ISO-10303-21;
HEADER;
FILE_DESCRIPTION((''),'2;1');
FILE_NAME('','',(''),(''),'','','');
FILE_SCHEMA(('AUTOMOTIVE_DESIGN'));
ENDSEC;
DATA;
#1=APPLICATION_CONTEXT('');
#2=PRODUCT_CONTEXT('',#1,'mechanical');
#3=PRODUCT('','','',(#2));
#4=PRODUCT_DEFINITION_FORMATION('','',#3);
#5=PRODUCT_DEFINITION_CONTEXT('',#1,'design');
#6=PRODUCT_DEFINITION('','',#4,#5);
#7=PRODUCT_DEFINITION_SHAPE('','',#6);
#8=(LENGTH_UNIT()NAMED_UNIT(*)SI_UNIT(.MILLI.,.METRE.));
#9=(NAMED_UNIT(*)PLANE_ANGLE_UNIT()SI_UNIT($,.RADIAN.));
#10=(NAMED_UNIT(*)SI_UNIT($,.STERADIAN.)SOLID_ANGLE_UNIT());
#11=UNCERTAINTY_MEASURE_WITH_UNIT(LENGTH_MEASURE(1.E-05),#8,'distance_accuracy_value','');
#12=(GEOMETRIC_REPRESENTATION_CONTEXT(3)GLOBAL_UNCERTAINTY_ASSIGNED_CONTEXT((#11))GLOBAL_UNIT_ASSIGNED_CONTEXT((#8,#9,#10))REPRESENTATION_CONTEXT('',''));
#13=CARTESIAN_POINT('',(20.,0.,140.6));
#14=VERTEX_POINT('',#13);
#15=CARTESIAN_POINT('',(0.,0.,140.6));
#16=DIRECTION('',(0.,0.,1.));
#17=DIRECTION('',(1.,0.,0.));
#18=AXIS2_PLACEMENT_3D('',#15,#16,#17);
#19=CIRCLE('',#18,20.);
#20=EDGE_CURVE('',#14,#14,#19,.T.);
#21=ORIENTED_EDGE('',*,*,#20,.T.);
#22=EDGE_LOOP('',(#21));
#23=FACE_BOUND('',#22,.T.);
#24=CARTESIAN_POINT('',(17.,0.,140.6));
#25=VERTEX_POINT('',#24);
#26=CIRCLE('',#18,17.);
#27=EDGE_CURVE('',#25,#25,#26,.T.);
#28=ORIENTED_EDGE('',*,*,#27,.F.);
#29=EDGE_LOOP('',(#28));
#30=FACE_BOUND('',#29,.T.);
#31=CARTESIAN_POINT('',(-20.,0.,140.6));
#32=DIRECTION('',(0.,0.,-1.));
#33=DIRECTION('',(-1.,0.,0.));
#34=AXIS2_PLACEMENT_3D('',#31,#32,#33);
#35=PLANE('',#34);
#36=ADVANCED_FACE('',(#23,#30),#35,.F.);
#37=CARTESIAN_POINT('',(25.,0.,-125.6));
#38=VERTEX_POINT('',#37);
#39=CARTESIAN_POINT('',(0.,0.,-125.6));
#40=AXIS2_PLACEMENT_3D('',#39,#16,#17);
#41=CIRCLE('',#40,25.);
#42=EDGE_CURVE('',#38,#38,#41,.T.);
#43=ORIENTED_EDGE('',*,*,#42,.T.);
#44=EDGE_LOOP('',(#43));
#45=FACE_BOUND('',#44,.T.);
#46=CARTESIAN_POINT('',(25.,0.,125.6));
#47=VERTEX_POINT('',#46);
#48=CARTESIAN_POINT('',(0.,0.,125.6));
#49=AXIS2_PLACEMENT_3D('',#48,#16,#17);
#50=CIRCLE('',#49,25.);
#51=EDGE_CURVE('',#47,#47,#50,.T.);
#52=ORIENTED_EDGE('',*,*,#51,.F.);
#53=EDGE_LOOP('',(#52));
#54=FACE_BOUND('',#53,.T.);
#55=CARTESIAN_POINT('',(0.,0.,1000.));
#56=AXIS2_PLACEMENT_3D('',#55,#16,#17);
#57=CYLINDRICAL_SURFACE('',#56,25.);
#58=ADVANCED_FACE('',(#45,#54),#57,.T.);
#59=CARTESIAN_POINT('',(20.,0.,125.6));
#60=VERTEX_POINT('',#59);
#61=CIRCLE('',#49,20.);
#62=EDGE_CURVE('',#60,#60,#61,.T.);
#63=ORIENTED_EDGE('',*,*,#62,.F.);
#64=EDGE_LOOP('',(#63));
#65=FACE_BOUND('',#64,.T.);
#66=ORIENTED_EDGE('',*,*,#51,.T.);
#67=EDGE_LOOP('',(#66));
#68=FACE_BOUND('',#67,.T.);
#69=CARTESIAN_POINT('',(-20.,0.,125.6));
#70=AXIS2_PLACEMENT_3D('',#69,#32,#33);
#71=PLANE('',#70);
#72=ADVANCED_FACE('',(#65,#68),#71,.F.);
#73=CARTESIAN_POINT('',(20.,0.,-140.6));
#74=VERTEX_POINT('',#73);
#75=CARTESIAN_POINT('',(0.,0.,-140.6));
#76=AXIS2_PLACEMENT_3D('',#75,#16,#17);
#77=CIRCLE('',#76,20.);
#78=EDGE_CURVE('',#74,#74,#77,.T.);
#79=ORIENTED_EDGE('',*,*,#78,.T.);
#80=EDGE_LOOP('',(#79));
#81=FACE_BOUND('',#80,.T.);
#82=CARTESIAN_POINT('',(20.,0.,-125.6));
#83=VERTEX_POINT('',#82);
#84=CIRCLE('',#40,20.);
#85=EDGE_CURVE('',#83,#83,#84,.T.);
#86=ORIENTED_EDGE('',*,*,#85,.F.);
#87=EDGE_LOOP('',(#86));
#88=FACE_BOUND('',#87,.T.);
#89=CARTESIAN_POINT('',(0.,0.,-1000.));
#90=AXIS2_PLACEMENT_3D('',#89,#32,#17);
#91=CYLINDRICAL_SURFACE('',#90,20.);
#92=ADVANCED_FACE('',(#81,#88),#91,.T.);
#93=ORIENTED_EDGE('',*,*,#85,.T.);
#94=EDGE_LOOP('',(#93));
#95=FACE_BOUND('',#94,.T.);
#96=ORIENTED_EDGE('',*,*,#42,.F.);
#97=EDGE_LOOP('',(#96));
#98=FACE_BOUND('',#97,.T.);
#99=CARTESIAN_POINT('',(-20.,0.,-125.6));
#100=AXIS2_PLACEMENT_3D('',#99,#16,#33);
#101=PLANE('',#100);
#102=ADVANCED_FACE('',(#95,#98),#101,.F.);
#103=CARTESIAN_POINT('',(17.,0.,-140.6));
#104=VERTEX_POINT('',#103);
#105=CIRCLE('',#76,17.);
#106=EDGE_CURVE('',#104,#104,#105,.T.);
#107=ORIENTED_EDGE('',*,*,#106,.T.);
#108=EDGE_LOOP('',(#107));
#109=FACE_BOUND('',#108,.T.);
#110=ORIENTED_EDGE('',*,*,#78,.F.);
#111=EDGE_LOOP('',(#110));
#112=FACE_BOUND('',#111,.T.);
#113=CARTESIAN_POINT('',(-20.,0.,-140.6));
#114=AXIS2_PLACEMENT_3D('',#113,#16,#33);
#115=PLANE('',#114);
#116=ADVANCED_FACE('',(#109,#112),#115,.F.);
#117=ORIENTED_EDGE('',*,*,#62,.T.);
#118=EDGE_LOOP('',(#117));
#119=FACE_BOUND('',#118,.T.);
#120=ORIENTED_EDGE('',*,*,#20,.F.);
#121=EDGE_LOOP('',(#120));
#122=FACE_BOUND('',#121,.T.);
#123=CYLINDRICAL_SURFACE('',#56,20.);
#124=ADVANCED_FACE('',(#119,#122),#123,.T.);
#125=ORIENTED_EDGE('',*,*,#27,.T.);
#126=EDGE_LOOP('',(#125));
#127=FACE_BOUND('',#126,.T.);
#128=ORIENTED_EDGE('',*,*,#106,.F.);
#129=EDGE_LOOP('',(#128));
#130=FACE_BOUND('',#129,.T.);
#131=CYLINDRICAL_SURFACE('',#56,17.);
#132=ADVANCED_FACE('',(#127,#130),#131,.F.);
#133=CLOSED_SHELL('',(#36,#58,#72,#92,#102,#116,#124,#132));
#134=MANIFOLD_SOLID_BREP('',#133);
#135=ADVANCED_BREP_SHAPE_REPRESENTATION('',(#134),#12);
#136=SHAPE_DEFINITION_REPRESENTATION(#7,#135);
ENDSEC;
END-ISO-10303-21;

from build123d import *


with BuildPart() as part:
    # Эскиз1 → Повернуть1 (revolve)
    with BuildSketch(Plane(origin=(0, 0, 0), x_dir=(1, 0, 0), z_dir=(0, 1, 0)), mode=Mode.PRIVATE) as revolve_1_sk:
        Polygon((-25, 0), (-17, 0), (-17, -140.6), (-20, -140.6), (-20, -125.6), (-25, -125.6), align=None)
    revolve_1 = revolve(revolve_1_sk.sketch.rotate(Axis((0, 0, 1000), (0, 0, -1)), 180), axis=Axis((0, 0, 1000), (0, 0, -1)))

    # Зеркальное отражение1: Повернуть1 across plane
    add(revolve_1.mirror(Plane(origin=(-25, 0, 0), x_dir=(1, 0, 0), z_dir=(0, 0, 1))))


solid = part.part
